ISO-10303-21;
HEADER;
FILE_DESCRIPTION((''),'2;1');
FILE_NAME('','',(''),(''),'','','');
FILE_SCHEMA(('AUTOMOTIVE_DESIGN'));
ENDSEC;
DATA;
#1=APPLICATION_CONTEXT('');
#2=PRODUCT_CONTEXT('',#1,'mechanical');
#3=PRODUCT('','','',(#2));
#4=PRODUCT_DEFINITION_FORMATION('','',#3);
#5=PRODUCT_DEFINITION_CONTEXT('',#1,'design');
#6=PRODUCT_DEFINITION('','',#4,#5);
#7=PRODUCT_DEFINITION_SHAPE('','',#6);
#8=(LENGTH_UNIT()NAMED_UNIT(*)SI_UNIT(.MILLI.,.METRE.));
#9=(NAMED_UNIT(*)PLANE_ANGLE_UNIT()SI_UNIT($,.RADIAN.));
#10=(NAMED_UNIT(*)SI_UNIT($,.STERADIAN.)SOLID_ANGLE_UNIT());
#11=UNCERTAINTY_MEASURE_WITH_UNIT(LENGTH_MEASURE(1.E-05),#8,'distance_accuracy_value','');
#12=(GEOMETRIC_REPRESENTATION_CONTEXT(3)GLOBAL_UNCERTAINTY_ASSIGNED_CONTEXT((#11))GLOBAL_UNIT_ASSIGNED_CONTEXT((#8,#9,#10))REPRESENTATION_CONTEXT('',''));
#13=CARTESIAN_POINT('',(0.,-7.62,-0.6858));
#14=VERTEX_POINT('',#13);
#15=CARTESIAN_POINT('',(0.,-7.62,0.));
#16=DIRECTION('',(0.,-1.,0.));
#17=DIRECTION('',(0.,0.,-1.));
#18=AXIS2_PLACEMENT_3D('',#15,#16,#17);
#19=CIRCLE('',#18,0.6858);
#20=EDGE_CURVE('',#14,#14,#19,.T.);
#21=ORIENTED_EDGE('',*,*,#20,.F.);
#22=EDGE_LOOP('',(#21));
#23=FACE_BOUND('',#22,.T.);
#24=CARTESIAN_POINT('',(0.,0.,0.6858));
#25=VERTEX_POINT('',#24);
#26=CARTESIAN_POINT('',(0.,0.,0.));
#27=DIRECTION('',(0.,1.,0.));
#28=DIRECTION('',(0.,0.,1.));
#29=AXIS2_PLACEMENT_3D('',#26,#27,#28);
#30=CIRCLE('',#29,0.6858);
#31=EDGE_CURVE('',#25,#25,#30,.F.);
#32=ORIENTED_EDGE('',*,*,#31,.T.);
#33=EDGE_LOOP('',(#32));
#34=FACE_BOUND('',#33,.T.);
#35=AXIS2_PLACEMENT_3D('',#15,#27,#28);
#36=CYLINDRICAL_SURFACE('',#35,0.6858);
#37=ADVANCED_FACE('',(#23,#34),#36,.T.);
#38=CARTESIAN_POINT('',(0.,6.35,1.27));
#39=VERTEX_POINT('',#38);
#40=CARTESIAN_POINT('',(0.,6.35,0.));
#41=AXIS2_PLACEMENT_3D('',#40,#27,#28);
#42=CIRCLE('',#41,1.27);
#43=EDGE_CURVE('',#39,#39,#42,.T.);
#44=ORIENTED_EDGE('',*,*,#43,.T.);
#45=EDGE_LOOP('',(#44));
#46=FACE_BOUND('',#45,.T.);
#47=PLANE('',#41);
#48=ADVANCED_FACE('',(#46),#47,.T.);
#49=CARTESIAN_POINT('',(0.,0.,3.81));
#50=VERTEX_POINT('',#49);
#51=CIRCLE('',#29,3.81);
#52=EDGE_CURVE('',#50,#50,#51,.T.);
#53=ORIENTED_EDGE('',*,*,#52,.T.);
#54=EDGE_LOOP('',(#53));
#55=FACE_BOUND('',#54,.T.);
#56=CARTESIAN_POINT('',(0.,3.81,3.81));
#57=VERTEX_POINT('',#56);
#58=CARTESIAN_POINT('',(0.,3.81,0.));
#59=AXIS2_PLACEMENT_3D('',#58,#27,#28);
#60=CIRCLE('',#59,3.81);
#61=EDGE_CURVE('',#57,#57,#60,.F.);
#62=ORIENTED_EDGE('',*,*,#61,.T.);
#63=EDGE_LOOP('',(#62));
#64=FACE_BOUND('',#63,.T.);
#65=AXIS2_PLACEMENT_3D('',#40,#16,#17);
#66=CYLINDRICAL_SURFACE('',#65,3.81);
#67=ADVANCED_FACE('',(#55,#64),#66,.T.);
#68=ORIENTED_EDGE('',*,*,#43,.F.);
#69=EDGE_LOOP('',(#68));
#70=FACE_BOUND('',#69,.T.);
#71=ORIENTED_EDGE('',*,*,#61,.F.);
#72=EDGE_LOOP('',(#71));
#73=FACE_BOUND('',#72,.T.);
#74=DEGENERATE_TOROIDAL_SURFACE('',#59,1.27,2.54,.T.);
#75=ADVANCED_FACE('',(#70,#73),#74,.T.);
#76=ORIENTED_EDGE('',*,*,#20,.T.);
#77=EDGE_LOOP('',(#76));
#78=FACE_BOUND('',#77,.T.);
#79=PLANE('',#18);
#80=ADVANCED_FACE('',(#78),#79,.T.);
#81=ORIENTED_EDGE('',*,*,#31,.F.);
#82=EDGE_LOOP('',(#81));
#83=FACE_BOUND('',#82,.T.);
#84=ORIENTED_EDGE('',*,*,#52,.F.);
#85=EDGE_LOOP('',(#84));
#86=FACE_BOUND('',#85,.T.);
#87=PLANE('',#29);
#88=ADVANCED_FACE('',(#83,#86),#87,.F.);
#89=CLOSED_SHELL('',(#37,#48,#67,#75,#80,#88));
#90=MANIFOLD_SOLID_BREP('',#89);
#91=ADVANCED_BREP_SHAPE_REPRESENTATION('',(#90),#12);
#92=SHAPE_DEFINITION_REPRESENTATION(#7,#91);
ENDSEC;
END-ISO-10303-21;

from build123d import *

# Parameters (mm, degrees)
SKETCH1_R           = 3.81
BOSS_EXTRUDE1_DEPTH = 6.35
SKETCH2_R           = 0.6858
BOSS_EXTRUDE2_DEPTH = 7.62
FILLET1_R           = 2.54


with BuildPart() as part:
    # Sketch1 → Boss-Extrude1 (new body)
    with BuildSketch(Plane(origin=(0, 0, 0), x_dir=(1, 0, 0), z_dir=(0, 1, 0))):
        Circle(SKETCH1_R)
    extrude(amount=BOSS_EXTRUDE1_DEPTH)

    # Sketch2 → Boss-Extrude2 (add)
    with BuildSketch(Plane.XZ):
        Circle(SKETCH2_R)
    extrude(amount=BOSS_EXTRUDE2_DEPTH)

    # Fillet1
    fillet1_edges = [part.edges().sort_by_distance(p)[0] for p in [
        (-3.81, 6.35, 0),
    ]]
    fillet(fillet1_edges, radius=FILLET1_R)


solid = part.part
